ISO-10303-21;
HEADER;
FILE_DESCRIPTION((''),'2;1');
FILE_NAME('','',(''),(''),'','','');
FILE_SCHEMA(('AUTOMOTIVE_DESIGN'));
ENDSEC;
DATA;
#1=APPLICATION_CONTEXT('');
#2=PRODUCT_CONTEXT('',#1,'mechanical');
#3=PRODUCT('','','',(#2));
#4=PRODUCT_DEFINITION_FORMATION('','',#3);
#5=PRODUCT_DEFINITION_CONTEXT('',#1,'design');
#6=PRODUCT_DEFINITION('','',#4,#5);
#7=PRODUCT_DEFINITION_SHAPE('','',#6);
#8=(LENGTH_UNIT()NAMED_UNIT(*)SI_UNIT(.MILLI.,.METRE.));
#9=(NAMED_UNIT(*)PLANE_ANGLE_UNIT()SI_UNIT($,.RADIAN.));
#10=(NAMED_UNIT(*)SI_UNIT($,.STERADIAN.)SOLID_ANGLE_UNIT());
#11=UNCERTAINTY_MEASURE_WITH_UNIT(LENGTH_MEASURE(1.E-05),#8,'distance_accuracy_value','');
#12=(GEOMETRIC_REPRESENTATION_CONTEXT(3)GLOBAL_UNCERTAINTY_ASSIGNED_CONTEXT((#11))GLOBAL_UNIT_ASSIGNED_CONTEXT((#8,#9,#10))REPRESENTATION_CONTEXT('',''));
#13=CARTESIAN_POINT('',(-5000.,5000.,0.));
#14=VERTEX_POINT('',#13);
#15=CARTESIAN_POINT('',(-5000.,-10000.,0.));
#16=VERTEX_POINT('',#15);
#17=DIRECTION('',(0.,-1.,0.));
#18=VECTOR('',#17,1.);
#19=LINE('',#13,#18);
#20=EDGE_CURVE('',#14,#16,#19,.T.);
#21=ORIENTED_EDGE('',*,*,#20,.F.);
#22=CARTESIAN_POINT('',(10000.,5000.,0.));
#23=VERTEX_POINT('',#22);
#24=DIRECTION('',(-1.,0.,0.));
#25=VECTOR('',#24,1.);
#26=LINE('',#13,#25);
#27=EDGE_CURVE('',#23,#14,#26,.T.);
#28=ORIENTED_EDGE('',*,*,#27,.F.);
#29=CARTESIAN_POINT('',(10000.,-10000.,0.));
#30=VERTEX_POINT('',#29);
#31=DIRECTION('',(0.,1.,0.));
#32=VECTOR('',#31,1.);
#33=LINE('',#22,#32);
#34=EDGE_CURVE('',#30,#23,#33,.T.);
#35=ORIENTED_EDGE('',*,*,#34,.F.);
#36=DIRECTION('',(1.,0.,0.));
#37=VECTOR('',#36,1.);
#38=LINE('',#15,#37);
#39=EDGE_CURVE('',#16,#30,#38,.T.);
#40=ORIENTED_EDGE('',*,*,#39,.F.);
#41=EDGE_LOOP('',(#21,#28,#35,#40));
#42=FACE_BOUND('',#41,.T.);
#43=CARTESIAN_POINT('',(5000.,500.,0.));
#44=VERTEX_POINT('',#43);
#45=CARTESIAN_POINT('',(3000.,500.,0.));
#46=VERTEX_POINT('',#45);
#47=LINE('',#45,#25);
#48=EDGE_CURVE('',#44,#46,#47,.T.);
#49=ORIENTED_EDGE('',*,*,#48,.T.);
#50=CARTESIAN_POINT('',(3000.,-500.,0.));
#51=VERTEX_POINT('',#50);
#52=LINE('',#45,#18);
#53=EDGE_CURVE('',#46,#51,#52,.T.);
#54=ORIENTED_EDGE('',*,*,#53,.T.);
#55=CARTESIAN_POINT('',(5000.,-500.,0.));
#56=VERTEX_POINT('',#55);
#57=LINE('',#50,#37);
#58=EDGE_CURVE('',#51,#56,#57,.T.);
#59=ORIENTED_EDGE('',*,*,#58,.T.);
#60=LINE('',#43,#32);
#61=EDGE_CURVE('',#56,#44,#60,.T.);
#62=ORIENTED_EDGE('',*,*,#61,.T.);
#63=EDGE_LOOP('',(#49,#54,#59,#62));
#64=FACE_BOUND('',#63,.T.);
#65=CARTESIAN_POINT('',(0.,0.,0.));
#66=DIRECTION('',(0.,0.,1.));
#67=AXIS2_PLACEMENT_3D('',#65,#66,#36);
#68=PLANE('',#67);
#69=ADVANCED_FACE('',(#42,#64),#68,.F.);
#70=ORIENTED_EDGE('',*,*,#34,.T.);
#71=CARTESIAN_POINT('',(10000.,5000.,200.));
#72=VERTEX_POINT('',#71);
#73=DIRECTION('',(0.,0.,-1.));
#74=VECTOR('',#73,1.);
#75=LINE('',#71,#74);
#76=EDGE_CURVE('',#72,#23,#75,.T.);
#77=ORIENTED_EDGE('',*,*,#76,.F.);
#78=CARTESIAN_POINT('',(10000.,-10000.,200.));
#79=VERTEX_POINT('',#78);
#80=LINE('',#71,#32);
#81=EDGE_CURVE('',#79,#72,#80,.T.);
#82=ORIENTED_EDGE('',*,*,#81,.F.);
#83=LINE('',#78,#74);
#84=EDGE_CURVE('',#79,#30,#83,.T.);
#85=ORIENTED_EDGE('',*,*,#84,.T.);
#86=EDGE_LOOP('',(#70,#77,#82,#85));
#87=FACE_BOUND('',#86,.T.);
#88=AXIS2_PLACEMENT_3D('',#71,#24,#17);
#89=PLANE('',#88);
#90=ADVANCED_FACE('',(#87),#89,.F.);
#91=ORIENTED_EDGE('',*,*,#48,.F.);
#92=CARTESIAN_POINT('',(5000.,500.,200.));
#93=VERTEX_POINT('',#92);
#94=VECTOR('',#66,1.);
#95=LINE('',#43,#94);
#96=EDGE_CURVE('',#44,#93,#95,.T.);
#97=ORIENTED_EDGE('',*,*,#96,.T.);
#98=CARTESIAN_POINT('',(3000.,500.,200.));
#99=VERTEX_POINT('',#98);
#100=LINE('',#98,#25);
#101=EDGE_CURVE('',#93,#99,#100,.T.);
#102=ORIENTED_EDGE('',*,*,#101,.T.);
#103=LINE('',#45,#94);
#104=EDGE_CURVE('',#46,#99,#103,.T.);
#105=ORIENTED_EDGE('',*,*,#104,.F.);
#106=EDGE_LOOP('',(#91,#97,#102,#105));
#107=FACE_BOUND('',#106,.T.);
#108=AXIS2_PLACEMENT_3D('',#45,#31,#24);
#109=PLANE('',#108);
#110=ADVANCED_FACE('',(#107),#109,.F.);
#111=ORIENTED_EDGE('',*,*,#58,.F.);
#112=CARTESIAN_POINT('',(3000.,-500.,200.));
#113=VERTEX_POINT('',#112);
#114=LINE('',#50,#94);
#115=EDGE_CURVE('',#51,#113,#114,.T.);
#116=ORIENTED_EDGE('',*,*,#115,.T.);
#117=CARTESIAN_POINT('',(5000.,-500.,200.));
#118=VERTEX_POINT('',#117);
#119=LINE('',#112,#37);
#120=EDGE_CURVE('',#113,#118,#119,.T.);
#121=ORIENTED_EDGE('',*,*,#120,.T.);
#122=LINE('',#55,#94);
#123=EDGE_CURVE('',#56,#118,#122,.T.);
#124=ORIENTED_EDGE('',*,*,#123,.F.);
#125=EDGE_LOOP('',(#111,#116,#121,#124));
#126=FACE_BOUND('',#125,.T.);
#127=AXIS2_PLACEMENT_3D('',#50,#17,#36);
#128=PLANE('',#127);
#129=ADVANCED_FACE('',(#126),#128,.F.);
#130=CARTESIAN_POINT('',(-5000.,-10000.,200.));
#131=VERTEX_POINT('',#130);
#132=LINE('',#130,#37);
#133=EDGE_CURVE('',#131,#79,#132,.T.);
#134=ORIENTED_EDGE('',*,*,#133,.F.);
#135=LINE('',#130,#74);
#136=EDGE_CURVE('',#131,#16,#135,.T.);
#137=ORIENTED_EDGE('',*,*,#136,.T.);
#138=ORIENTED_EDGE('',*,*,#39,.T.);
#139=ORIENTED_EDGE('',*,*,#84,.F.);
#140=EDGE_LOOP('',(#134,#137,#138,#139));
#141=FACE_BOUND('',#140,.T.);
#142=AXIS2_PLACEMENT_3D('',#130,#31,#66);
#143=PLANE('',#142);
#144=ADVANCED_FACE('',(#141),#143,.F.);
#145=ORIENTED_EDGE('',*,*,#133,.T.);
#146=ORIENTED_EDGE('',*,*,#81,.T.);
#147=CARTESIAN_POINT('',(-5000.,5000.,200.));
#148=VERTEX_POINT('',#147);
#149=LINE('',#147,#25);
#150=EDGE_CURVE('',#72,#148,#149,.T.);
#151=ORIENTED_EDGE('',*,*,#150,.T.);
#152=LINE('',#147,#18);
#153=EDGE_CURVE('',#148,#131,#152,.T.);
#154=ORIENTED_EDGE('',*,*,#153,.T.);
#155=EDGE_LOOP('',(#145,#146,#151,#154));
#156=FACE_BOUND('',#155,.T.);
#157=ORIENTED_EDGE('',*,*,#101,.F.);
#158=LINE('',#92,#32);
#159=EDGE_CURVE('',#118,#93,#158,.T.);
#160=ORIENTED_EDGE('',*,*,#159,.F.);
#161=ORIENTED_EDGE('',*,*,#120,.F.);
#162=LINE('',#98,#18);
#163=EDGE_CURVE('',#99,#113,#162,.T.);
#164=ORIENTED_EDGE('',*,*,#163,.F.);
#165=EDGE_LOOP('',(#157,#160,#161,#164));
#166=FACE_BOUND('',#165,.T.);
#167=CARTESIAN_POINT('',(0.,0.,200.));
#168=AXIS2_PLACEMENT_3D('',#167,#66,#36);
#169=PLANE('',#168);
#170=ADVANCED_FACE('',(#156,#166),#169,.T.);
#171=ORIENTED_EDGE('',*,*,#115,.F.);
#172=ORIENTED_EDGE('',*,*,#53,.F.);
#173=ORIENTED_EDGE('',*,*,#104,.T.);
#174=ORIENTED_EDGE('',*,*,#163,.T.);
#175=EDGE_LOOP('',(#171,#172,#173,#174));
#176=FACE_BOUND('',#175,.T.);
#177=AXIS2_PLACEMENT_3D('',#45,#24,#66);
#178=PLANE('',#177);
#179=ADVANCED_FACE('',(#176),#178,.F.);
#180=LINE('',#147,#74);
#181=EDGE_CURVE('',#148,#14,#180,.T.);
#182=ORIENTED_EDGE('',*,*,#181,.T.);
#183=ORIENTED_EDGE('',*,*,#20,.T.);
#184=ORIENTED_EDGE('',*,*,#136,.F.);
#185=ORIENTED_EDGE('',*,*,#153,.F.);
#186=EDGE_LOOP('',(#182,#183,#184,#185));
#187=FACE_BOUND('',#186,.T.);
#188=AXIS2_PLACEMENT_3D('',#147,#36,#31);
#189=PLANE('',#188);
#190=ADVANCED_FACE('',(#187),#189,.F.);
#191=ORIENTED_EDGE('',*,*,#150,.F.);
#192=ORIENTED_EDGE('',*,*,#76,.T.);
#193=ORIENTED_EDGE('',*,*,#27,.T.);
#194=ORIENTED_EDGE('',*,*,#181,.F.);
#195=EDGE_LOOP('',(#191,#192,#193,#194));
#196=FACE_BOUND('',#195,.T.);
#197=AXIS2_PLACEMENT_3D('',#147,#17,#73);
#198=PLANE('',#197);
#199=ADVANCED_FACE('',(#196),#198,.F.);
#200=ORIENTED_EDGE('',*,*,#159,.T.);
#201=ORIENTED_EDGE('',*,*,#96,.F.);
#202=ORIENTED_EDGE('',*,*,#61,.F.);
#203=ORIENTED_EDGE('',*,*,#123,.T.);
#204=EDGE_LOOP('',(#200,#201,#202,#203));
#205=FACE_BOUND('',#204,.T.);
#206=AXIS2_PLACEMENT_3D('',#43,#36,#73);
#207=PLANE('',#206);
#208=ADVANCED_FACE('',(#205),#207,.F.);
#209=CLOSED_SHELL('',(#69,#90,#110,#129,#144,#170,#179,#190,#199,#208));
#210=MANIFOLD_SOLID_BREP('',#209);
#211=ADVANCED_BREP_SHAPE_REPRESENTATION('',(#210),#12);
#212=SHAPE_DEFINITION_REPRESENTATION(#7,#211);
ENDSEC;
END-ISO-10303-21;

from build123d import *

# Parameters (mm, degrees)
SKETCH8_W           = 15000
SKETCH8_H           = 15000
BOSS_EXTRUDE1_DEPTH = 200
SKETCH9_W           = 2000
SKETCH9_H           = 1000
CUT_EXTRUDE3_DEPTH  = 14144.54976659


with BuildPart() as part:
    # Sketch8 → Boss-Extrude1 (new body)
    with BuildSketch(Plane.XY):
        with Locations((2500, -2500)):
            Rectangle(SKETCH8_W, SKETCH8_H)
    extrude(amount=BOSS_EXTRUDE1_DEPTH)

    # Sketch9 → Cut-Extrude3 (cut, through all)
    with BuildSketch(Plane.XY.offset(200)):
        with Locations((4000, 0)):
            Rectangle(SKETCH9_W, SKETCH9_H)
    extrude(amount=-CUT_EXTRUDE3_DEPTH, mode=Mode.SUBTRACT)


solid = part.part
